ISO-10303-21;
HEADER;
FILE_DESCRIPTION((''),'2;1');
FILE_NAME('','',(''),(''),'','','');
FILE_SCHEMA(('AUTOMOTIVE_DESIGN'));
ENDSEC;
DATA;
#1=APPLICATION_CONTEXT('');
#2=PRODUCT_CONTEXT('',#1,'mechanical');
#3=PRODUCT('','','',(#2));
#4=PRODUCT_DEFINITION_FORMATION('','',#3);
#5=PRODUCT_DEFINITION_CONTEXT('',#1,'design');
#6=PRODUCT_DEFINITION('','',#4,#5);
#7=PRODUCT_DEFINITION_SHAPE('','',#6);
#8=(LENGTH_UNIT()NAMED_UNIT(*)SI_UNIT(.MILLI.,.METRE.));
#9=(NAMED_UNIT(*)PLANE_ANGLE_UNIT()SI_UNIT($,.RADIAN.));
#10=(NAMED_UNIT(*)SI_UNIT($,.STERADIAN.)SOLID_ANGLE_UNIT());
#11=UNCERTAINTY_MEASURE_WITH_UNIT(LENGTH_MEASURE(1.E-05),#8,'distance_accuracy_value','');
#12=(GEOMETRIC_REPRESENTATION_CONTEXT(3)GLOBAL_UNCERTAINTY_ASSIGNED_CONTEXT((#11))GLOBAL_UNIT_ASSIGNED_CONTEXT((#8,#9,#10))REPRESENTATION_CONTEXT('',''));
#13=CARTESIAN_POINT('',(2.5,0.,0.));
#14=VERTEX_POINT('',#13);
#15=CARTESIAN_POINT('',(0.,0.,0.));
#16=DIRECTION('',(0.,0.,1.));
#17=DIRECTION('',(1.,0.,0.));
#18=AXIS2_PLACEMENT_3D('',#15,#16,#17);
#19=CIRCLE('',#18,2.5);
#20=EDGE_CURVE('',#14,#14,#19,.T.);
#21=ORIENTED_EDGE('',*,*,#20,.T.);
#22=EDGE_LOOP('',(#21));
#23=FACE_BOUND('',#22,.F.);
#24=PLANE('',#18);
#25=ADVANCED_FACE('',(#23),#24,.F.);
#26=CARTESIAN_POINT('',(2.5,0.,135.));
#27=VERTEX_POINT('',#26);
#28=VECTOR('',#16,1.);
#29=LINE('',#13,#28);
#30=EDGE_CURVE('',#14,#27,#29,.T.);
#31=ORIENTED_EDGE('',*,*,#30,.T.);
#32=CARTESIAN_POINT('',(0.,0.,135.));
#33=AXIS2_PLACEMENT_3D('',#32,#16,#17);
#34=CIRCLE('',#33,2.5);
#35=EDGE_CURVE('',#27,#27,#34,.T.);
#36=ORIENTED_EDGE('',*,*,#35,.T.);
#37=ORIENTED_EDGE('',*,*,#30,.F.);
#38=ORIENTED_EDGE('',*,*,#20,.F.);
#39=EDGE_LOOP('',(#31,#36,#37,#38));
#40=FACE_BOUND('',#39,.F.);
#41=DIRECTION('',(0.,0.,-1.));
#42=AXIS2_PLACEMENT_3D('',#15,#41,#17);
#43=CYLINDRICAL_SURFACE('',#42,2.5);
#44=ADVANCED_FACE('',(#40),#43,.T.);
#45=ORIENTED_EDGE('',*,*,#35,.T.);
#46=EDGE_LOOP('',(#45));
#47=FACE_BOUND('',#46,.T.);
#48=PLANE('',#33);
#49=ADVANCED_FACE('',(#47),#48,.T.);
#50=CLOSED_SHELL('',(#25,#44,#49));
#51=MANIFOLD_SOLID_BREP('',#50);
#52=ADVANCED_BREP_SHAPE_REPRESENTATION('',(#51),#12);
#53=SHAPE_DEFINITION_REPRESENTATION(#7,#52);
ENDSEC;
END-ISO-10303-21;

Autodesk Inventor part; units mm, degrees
ref_plane "YZ Plane" through (0, 0, 0) normal (1, 0, 0) x (0, 1, 0)
ref_plane "XZ Plane" through (0, 0, 0) normal (0, 1, 0) x (-1, 0, 0)
ref_plane "XY Plane" through (0, 0, 0) normal (0, 0, 1) x (1, 0, 0)
sketch "Sketch1" plane through (0, 0, 0) normal (0, 0, 1) x (1, 0, 0)
  circle A0 centre (0, 0) radius 2.5
  dimension "d0" = 5
extrude "Extrusion1" add sketch "Sketch1" along normal blind 135
properties part number "LongRod"
